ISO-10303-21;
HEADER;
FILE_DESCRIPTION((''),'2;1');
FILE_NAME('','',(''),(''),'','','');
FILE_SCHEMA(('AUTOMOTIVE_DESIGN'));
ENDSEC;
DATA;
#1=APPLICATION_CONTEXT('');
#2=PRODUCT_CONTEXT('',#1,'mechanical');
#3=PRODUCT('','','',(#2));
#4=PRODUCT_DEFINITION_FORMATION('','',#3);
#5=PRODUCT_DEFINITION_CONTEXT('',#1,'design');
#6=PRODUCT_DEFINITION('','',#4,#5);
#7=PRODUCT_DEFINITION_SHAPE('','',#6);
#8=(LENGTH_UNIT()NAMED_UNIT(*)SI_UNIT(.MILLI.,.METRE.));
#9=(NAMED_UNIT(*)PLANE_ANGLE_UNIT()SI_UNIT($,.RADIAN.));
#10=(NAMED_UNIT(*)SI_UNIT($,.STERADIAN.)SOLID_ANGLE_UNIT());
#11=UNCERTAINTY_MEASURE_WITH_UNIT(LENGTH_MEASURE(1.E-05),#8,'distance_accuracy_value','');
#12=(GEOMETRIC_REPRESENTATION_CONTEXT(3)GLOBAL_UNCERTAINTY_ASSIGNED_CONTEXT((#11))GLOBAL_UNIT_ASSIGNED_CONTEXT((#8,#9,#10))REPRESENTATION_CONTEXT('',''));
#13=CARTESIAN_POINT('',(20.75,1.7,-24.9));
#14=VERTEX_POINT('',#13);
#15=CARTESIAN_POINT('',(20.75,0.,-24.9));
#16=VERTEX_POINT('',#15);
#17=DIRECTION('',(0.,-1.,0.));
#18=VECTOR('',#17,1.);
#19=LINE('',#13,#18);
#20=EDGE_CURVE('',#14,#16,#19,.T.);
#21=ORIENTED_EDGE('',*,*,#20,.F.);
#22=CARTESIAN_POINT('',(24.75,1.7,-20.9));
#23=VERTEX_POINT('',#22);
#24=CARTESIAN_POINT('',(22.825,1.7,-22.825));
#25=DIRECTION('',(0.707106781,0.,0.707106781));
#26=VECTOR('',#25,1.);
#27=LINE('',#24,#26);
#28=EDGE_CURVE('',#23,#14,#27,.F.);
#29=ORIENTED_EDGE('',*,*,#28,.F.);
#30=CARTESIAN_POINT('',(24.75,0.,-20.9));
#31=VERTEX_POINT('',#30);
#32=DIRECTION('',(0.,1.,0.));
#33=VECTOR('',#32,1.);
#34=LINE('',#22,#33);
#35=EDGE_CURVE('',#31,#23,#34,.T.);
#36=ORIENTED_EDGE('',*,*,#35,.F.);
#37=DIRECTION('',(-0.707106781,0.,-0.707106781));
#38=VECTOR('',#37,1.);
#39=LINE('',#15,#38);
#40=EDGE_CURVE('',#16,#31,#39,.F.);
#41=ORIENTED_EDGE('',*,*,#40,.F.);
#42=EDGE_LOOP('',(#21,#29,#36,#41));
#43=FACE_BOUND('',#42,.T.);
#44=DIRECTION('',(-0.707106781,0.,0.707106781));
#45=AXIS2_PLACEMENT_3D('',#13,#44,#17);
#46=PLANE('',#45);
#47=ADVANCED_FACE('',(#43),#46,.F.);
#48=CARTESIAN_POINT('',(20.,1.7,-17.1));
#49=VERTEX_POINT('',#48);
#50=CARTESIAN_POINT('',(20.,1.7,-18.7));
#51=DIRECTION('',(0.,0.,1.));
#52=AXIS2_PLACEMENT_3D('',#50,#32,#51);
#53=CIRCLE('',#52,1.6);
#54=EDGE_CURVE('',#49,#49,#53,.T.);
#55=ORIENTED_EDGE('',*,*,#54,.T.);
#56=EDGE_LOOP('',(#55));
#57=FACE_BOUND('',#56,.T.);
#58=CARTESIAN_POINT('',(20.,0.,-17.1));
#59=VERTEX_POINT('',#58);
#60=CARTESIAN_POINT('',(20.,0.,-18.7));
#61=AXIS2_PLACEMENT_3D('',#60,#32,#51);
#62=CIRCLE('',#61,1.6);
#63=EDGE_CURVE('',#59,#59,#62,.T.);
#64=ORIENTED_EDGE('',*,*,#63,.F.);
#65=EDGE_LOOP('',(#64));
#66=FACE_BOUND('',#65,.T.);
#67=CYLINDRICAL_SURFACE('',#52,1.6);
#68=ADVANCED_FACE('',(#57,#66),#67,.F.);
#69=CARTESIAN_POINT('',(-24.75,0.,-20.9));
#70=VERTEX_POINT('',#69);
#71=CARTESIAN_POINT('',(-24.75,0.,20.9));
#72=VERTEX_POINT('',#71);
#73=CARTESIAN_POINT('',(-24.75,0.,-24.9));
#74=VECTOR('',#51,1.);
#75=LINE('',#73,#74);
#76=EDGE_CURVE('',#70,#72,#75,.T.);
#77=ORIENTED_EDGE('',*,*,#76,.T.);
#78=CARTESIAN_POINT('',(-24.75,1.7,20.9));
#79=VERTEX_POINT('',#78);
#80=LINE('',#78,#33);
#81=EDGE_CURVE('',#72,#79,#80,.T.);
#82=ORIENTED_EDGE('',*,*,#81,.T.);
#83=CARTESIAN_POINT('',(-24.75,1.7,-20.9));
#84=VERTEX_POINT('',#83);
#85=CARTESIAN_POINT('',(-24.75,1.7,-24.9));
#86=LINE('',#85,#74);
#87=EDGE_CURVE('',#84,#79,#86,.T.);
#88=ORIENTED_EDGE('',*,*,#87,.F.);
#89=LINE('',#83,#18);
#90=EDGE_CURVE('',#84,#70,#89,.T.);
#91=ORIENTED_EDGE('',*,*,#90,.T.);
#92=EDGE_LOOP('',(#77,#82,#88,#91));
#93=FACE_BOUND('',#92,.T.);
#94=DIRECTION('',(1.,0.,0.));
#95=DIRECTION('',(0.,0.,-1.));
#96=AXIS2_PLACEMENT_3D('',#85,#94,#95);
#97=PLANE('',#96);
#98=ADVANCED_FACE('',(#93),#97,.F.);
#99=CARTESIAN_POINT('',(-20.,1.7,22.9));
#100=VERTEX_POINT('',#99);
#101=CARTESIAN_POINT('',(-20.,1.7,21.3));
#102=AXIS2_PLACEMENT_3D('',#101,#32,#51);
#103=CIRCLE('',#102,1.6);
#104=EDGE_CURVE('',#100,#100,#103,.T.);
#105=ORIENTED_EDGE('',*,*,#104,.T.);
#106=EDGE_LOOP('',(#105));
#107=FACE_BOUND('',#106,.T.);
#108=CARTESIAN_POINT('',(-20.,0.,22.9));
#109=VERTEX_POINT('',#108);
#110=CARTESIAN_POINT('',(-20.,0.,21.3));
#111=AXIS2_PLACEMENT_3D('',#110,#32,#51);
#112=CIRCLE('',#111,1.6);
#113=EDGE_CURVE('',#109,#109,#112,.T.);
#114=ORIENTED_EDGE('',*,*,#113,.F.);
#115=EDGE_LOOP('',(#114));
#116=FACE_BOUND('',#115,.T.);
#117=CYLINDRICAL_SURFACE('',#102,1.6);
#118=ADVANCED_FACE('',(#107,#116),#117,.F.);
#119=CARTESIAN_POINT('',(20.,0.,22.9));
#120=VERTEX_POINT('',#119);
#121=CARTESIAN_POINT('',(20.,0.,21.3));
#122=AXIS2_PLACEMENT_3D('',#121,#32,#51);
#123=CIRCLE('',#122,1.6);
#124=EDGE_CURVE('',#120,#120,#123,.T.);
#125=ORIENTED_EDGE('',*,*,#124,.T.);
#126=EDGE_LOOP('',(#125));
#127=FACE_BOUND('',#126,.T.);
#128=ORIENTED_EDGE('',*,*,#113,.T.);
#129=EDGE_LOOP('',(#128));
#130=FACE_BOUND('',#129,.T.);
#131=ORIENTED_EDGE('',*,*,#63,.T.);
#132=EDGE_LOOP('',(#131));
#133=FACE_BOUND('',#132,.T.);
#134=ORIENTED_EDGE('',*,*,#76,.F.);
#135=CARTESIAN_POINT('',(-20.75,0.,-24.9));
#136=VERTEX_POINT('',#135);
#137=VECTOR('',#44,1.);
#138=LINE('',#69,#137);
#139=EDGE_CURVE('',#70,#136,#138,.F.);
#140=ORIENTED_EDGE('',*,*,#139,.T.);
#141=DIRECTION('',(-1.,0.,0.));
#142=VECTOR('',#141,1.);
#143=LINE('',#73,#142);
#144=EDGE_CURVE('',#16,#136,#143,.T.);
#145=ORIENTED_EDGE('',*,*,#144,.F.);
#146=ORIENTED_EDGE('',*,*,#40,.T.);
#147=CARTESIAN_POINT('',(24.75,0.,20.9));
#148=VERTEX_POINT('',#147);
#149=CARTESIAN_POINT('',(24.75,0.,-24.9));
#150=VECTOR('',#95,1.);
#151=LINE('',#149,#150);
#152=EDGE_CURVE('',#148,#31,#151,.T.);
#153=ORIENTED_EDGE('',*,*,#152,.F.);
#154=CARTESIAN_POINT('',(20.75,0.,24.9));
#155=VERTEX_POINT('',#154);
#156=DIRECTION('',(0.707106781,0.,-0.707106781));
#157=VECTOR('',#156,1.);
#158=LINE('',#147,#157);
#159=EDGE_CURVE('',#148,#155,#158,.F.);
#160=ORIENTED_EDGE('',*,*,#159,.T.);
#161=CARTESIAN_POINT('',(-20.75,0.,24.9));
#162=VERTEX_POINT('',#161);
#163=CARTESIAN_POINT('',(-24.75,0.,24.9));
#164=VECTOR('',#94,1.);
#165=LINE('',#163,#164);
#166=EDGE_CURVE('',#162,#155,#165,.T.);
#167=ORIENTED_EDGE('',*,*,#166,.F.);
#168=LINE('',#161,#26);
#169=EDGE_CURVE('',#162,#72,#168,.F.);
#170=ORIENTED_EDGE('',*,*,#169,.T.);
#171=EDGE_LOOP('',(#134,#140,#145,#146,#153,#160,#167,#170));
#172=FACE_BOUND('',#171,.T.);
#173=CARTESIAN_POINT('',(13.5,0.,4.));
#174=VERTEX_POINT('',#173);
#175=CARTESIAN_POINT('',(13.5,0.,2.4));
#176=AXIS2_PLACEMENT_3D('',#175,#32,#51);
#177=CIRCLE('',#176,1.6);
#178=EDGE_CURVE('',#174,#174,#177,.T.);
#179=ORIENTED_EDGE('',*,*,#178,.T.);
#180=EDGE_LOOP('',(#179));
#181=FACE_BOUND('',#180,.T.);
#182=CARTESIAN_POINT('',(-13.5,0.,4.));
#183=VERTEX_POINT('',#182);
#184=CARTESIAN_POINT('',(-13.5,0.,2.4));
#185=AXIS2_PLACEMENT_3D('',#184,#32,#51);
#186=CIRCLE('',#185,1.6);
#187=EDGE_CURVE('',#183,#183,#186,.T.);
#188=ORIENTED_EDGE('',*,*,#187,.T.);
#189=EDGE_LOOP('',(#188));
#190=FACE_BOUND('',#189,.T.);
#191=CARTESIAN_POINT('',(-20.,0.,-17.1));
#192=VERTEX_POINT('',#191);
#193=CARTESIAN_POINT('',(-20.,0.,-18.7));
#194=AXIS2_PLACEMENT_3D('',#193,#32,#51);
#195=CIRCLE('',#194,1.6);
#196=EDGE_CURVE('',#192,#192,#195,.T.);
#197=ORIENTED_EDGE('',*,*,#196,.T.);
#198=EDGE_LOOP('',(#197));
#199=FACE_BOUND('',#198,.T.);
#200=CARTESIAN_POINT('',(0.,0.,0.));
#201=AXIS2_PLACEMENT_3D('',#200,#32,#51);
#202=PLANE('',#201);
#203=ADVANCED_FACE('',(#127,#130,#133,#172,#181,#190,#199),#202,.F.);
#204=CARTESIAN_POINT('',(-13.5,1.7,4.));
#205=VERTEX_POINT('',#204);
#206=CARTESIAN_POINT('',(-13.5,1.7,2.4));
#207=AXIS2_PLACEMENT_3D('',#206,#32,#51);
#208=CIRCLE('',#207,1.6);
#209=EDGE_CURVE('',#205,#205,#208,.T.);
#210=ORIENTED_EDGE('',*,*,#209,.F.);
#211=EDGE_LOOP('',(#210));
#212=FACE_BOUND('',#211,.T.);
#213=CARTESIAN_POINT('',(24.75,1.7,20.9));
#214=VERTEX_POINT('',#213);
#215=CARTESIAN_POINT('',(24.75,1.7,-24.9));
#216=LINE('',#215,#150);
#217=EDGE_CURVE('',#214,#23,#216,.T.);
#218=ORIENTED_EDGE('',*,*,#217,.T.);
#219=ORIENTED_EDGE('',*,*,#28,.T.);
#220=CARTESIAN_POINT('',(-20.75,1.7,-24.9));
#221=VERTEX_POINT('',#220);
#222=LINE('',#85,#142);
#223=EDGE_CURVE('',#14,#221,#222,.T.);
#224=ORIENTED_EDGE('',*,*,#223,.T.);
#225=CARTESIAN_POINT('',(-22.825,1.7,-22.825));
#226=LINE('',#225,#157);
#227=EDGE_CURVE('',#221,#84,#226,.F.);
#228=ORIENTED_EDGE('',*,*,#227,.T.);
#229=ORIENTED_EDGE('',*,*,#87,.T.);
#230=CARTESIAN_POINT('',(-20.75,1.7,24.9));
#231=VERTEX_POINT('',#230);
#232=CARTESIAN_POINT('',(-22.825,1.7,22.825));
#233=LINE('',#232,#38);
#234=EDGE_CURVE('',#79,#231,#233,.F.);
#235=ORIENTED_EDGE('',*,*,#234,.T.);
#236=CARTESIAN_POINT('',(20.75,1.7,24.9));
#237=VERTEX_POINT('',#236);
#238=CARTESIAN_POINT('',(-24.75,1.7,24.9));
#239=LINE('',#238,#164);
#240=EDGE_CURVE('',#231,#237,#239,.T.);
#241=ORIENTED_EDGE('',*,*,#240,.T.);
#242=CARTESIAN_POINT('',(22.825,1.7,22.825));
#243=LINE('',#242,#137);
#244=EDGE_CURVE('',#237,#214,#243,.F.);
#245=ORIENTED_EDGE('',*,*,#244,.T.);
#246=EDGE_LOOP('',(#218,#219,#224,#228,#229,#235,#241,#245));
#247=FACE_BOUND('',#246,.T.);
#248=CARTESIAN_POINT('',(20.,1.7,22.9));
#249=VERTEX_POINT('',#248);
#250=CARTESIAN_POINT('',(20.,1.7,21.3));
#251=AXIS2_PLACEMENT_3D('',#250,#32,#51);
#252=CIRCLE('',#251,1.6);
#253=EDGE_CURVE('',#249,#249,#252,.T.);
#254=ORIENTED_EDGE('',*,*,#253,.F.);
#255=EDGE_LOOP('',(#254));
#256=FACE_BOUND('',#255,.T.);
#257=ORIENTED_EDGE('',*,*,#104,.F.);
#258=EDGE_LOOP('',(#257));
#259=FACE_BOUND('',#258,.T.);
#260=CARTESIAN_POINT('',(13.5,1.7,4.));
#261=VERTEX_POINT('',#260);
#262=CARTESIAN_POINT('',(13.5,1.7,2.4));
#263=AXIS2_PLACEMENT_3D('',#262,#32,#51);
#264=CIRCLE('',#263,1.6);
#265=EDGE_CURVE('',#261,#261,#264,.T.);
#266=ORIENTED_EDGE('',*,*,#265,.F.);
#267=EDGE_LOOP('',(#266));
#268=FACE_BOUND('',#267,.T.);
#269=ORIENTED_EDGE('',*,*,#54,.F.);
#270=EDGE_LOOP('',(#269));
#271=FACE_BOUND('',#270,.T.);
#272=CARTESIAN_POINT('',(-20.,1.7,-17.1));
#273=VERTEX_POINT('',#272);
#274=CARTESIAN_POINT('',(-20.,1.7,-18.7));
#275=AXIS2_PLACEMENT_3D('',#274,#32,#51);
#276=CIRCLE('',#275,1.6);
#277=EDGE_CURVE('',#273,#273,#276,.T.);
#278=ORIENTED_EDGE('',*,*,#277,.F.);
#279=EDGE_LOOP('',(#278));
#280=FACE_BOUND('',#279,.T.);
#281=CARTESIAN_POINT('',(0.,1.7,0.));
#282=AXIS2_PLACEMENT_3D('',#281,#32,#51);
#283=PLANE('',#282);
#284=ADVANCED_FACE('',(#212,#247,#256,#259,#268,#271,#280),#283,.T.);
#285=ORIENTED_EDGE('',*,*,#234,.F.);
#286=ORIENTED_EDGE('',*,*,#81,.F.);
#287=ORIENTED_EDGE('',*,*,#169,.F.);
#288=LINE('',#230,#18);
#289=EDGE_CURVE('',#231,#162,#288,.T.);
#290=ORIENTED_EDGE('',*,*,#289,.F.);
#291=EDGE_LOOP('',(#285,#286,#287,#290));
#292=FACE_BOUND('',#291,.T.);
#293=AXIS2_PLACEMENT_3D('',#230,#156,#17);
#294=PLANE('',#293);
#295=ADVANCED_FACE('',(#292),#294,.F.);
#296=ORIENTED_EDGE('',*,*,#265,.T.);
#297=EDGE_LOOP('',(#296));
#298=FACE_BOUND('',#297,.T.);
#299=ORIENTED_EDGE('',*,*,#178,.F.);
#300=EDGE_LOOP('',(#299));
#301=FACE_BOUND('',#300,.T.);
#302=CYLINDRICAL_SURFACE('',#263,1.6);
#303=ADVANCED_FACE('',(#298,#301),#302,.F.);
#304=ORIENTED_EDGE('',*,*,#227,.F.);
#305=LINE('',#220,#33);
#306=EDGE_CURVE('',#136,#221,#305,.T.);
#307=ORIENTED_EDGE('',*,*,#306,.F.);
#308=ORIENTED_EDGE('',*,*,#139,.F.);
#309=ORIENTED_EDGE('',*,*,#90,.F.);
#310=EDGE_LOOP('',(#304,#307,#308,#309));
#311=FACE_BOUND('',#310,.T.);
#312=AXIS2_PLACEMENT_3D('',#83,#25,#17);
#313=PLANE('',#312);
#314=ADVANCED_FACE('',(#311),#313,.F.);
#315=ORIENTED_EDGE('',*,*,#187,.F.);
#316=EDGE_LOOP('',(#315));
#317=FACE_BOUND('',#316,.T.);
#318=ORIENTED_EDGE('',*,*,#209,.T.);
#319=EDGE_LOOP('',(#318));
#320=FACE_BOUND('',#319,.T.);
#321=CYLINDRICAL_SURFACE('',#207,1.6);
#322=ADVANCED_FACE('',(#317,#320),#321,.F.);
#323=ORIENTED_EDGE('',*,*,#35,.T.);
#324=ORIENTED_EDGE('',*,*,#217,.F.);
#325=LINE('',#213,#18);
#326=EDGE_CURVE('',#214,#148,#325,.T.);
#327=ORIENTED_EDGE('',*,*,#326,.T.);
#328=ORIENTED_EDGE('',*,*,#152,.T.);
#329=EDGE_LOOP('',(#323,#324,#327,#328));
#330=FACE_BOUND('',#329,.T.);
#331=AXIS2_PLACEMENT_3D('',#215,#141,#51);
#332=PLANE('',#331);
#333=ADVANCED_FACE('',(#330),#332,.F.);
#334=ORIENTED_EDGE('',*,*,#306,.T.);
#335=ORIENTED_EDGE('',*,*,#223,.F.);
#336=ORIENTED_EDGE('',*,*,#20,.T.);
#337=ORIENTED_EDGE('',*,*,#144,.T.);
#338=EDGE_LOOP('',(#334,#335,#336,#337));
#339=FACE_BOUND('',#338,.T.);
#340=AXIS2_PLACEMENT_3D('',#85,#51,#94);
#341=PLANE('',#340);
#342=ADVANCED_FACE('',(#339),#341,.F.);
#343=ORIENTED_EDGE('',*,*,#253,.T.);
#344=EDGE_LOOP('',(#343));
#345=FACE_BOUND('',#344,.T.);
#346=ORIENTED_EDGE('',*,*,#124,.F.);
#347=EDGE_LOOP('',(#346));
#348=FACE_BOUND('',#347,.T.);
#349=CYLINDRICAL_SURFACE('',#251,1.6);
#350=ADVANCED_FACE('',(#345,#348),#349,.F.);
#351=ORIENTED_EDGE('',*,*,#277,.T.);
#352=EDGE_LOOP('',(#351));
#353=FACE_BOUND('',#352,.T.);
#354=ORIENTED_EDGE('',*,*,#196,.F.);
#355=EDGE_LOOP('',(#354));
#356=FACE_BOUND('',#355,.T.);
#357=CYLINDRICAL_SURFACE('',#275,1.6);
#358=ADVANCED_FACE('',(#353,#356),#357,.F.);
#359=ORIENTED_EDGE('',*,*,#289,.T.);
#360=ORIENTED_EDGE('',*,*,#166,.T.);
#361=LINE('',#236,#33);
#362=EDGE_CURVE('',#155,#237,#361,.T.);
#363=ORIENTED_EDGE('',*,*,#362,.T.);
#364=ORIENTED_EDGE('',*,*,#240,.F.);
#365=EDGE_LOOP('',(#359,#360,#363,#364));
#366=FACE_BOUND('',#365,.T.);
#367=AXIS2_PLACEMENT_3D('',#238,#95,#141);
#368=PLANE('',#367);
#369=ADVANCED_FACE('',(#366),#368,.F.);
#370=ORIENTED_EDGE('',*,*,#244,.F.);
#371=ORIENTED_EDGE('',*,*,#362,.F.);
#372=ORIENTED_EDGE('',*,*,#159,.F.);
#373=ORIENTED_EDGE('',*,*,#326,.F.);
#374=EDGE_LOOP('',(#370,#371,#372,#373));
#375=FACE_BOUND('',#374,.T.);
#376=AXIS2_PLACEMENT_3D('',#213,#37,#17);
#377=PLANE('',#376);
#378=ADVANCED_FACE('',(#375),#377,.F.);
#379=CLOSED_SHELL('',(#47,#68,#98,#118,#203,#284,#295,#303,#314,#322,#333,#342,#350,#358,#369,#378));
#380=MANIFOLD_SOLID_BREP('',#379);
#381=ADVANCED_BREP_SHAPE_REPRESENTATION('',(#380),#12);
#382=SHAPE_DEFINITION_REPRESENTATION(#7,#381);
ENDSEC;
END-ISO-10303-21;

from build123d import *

# Parameters (mm, degrees)
SKETCH1_W            = 49.5
SKETCH1_H            = 49.8
BOSS_EXTRUDE1_DEPTH  = 1.7
M3_CLEARANCE_HOLE1_D = 3.2
LPATTERN1_COUNT      = 2
LPATTERN1_PITCH      = 40
LPATTERN1_COPY_1_D   = 3.2
M3_CLEARANCE_HOLE2_D = 3.2
CHAMFER1_SIZE        = 4


with BuildPart() as part:
    # Sketch1 → Boss-Extrude1 (new body)
    with BuildSketch(Plane(origin=(0, 0, 0), x_dir=(1, 0, 0), z_dir=(0, 1, 0))):
        Rectangle(SKETCH1_W, SKETCH1_H)
    extrude(amount=BOSS_EXTRUDE1_DEPTH)

    # M3 Clearance Hole1 (through all)
    with Locations(Plane(origin=(0, 1.7, 0), x_dir=(1, 0, 0), z_dir=(0, 1, 0))):
        with Locations((-20, 18.7)):
            m3_clearance_hole1 = Hole(M3_CLEARANCE_HOLE1_D / 2)

    # Mirror1: M3 Clearance Hole1 across plane
    add(m3_clearance_hole1.mirror(Plane(origin=(0, 0, 0), x_dir=(0, 0, 1), z_dir=(1, 0, 0))), mode=Mode.SUBTRACT)

    # LPattern1: M3 Clearance Hole1 ×2
    with Locations(*[(0, 0, i * LPATTERN1_PITCH) for i in range(1, LPATTERN1_COUNT)]):
        add(m3_clearance_hole1, mode=Mode.SUBTRACT)

    # LPattern1 copy 1 (through all)
    with Locations(Plane(origin=(0, 1.7, 40), x_dir=(-1, 0, 0), z_dir=(0, 1, 0))):
        with Locations((-20, -18.7)):
            Hole(LPATTERN1_COPY_1_D / 2)

    # M3 Clearance Hole2 (through all)
    with Locations(Plane(origin=(0, 1.7, 0), x_dir=(1, 0, 0), z_dir=(0, 1, 0))):
        with Locations((13.5, -2.4)):
            m3_clearance_hole2 = Hole(M3_CLEARANCE_HOLE2_D / 2)

    # Mirror3: M3 Clearance Hole2 across plane
    add(m3_clearance_hole2.mirror(Plane(origin=(0, 0, 0), x_dir=(0, 0, 1), z_dir=(1, 0, 0))), mode=Mode.SUBTRACT)

    # Chamfer1
    chamfer1_edges = [part.edges().sort_by_distance(p)[0] for p in [
        (24.75, 0.85, 24.9),
        (-24.75, 0.85, 24.9),
        (-24.75, 0.85, -24.9),
        (24.75, 0.85, -24.9),
    ]]
    chamfer(chamfer1_edges, length=CHAMFER1_SIZE)


solid = part.part
